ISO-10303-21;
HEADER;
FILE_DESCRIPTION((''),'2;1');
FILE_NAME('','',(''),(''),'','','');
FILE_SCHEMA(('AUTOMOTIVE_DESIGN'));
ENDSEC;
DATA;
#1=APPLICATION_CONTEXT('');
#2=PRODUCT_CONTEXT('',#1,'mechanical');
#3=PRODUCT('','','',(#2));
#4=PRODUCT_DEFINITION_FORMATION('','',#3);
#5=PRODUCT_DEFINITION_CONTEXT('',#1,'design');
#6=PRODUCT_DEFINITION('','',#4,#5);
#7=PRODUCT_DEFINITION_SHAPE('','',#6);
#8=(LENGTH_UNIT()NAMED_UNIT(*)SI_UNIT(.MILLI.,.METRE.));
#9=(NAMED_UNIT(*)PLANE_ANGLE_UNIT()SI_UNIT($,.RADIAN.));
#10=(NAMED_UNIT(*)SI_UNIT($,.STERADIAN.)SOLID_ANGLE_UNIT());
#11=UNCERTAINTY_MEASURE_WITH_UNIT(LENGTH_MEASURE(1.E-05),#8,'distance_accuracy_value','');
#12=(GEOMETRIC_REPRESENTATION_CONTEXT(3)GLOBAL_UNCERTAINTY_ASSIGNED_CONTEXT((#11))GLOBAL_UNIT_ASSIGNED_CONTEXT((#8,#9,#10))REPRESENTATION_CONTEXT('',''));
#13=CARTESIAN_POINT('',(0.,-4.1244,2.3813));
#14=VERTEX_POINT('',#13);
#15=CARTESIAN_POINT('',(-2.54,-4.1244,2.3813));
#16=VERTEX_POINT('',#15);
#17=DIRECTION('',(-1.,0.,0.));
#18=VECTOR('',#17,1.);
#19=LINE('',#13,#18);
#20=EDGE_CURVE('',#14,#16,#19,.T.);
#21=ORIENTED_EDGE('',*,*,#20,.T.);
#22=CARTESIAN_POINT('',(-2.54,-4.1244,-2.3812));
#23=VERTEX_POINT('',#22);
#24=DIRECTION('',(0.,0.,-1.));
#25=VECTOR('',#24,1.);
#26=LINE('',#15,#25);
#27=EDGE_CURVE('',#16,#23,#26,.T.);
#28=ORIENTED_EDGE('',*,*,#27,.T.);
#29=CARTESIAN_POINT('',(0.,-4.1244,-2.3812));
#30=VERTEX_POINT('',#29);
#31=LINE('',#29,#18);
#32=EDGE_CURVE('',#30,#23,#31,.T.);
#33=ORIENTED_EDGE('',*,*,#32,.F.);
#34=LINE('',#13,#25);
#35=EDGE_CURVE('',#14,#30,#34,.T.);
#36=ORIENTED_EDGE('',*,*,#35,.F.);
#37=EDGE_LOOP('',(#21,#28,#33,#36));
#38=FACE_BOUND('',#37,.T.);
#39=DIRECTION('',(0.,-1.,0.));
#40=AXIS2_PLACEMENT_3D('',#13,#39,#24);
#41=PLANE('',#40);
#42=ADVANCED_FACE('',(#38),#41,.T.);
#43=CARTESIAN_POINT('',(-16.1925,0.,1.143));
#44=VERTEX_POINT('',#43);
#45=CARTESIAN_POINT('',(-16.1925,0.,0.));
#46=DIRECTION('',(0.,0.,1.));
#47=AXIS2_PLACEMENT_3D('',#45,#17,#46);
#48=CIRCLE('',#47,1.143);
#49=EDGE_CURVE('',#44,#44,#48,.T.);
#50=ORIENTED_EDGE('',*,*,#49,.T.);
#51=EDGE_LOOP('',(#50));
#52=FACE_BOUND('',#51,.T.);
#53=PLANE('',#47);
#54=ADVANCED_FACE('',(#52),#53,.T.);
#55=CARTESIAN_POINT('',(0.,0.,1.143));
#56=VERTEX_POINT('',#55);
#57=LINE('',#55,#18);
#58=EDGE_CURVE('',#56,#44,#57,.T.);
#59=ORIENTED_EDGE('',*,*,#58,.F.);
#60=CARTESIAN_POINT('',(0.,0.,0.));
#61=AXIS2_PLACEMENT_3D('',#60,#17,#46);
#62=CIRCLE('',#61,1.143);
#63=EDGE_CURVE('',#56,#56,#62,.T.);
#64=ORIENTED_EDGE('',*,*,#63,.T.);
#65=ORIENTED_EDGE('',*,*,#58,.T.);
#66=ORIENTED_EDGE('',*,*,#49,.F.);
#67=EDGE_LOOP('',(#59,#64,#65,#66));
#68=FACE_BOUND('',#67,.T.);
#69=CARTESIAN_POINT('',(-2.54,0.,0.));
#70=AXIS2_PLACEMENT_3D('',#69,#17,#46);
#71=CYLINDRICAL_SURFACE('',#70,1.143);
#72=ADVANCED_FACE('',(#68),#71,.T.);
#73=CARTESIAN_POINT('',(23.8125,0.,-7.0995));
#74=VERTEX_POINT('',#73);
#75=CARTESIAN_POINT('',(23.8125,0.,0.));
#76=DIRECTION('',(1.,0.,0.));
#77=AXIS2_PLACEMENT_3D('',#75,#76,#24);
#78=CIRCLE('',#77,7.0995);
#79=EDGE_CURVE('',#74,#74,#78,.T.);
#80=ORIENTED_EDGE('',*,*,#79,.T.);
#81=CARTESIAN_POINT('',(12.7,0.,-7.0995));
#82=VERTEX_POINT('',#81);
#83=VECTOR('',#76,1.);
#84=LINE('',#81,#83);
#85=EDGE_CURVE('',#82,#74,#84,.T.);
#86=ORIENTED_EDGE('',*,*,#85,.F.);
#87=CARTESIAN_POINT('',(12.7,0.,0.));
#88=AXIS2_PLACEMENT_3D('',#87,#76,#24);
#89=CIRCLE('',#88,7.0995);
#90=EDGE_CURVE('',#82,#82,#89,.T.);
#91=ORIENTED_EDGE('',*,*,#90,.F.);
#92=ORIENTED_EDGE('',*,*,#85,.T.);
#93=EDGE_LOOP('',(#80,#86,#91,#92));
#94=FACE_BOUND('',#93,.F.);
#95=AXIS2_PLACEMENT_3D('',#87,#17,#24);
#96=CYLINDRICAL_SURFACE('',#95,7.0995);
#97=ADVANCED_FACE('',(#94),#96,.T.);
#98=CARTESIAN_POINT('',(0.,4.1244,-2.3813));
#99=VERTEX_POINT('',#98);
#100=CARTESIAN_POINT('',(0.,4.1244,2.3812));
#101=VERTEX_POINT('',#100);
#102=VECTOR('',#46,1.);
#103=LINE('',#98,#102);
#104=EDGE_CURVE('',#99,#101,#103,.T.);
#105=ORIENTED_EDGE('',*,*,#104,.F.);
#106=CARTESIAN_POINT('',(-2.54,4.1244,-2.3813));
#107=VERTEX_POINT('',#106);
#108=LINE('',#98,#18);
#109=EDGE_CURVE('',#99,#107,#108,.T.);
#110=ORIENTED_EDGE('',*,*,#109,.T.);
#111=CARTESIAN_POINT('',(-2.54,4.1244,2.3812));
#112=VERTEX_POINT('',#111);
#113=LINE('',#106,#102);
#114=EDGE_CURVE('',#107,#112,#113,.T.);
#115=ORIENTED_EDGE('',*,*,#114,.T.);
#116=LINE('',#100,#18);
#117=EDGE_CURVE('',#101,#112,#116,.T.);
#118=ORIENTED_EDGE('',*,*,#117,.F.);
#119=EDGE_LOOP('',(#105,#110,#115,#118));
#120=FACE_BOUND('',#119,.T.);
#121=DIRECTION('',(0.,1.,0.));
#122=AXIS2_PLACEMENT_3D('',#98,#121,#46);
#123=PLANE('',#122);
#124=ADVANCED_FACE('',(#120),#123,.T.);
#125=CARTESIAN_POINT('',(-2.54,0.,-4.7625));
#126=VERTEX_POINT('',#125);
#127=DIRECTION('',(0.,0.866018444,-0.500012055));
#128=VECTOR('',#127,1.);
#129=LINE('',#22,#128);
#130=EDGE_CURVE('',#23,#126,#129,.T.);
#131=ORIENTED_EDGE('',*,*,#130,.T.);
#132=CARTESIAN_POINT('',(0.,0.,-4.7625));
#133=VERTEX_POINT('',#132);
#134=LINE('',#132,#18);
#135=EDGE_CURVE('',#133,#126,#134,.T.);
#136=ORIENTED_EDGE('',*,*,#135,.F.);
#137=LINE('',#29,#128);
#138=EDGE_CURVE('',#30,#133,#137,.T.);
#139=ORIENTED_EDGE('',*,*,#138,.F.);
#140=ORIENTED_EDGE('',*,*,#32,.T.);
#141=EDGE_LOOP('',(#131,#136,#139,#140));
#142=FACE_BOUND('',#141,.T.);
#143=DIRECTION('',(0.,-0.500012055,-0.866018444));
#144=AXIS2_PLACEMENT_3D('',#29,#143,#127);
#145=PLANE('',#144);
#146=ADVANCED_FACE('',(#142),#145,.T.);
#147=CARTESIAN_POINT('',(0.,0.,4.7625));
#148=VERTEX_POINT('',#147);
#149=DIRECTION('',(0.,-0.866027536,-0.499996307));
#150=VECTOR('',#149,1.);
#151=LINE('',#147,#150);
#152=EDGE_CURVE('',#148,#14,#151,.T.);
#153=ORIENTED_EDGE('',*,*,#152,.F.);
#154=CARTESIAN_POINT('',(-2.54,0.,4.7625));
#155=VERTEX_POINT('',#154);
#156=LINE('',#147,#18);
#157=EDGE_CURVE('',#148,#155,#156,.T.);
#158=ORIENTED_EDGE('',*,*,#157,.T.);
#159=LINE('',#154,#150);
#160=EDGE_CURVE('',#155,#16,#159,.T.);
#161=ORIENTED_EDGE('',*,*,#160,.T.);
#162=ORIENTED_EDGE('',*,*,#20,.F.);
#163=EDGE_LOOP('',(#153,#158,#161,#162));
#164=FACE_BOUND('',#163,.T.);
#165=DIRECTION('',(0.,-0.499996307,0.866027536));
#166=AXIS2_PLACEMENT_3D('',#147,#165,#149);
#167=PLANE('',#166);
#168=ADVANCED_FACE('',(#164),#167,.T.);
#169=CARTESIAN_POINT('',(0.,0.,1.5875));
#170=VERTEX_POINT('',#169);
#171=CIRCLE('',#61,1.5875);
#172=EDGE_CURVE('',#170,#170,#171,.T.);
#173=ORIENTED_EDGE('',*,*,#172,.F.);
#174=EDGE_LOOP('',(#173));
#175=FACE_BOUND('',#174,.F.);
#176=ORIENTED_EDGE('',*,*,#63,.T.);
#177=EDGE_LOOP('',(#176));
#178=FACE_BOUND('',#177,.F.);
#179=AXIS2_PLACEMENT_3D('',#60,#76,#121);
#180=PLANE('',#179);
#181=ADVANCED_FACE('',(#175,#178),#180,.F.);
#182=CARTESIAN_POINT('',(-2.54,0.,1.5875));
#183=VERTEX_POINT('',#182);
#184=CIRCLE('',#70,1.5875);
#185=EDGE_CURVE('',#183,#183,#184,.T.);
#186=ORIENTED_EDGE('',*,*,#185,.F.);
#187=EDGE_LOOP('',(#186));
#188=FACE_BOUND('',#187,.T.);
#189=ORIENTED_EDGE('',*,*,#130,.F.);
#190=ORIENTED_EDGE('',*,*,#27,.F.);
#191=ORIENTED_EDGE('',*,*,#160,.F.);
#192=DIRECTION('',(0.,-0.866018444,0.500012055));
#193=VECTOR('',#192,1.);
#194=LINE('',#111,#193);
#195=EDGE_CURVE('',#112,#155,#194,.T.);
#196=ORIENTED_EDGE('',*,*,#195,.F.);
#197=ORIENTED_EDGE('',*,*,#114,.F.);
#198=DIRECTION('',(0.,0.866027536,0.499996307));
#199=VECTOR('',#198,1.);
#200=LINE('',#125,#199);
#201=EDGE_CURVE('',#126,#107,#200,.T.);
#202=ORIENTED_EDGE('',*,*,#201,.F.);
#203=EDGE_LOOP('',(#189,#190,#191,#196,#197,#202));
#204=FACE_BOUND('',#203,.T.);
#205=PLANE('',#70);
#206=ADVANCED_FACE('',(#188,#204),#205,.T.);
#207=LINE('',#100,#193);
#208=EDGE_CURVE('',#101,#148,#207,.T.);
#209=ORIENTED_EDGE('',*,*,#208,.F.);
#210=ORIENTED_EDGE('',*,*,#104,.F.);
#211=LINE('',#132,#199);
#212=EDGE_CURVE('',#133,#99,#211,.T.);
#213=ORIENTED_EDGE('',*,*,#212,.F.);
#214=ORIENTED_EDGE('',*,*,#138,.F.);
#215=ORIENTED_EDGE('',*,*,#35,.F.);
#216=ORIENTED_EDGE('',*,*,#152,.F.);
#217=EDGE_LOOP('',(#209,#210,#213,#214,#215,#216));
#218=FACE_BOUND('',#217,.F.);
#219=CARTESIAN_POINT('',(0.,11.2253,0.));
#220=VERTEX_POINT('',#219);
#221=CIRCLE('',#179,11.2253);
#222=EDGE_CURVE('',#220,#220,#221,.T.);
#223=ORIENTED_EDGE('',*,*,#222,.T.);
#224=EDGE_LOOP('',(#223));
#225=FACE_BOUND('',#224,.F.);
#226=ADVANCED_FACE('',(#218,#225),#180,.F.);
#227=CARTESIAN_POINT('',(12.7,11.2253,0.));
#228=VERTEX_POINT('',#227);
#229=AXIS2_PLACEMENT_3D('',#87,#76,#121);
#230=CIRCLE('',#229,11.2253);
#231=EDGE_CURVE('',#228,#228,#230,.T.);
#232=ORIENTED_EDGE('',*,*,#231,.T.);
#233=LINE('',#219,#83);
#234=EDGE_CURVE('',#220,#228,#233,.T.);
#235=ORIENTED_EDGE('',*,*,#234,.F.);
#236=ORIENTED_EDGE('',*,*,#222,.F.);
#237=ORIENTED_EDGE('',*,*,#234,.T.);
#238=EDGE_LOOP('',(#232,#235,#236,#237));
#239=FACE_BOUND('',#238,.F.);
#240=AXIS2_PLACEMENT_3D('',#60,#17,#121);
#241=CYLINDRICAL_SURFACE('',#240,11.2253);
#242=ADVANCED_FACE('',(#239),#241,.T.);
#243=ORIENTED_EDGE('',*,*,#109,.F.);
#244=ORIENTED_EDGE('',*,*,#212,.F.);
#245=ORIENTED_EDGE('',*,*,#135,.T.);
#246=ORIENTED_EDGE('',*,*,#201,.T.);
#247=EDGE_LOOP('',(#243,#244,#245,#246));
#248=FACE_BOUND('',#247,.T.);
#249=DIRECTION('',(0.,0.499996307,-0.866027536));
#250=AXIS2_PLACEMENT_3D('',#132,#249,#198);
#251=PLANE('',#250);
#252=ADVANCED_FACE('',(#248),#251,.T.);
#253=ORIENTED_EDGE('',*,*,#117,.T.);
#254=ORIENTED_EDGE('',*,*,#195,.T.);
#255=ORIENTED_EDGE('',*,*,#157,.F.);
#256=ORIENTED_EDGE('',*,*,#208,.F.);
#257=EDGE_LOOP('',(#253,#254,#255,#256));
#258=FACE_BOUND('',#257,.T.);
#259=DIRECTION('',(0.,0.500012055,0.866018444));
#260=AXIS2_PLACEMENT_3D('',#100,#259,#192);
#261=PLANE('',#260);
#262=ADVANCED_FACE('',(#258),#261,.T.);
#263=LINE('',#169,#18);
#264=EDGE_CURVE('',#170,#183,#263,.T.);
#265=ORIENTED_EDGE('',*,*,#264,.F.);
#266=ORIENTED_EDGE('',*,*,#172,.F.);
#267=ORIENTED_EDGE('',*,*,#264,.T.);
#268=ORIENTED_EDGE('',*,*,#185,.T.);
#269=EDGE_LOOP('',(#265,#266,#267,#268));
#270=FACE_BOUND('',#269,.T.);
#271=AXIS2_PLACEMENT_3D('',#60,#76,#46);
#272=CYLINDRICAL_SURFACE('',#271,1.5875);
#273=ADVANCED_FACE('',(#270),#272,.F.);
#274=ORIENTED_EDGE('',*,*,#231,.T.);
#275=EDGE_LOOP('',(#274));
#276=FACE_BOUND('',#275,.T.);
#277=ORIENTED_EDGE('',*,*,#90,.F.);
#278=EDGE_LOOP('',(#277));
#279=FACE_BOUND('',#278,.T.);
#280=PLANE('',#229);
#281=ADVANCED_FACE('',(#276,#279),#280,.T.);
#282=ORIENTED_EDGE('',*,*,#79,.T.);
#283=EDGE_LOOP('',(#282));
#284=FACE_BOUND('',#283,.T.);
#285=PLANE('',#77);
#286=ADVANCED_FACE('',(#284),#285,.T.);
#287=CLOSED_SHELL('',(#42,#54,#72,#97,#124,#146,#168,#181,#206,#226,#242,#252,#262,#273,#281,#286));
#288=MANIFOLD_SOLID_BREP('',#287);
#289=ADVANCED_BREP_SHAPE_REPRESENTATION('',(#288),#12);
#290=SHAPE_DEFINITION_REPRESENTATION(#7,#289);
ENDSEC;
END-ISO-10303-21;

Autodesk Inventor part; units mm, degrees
ref_plane "YZ Plane" through (0, 0, 0) normal (1, 0, 0) x (0, 1, 0)
ref_plane "XZ Plane" through (0, 0, 0) normal (0, 1, 0) x (-1, 0, 0)
ref_plane "XY Plane" through (0, 0, 0) normal (0, 0, 1) x (1, 0, 0)
sketch "Sketch1" plane through (0, 0, 0) normal (1, 0, 0) x (0, 1, 0)
  circle A0 centre (0, 0) radius 11.2253
extrude "Extrusion1" add sketch "Sketch1" along normal blind 12.7
sketch "Sketch2" plane through (0, 0, 0) normal (-1, 0, 0) x (0, 0, 1)
  line L0 (-4.7625, 0) -> (-2.3813, 4.1244)
  line L1 (-2.3813, 4.1244) -> (2.3812, 4.1244)
  line L2 (2.3812, 4.1244) -> (4.7625, 0)
  line L3 (4.7625, 0) -> (2.3813, -4.1244)
  line L4 (2.3813, -4.1244) -> (-2.3812, -4.1244)
  line L5 (-2.3812, -4.1244) -> (-4.7625, 0)
  circle A0 centre (0, 0) radius 1.5875
  point P0 (1.6165, 3.316)
extrude "Extrusion2" add sketch "Sketch2" along normal blind 2.54
sketch "Sketch3" plane through (-2.54, 0, 0) normal (-1, 0, 0) x (0, 0, 1)
  circle A0 centre (0, 0) radius 1.143
  dimension "d4" = 2.286
extrude "Extrusion3" add sketch "Sketch3" along normal blind 13.6525 and the other way blind 8.4201
sketch "Sketch4" plane through (12.7, 0, 0) normal (1, 0, 0) x (0, 0, -1)
  circle A0 centre (0, 0) radius 7.0995
extrude "Extrusion4" add sketch "Sketch4" along normal blind 11.1125
properties part number "DC MOTOR NEW"
